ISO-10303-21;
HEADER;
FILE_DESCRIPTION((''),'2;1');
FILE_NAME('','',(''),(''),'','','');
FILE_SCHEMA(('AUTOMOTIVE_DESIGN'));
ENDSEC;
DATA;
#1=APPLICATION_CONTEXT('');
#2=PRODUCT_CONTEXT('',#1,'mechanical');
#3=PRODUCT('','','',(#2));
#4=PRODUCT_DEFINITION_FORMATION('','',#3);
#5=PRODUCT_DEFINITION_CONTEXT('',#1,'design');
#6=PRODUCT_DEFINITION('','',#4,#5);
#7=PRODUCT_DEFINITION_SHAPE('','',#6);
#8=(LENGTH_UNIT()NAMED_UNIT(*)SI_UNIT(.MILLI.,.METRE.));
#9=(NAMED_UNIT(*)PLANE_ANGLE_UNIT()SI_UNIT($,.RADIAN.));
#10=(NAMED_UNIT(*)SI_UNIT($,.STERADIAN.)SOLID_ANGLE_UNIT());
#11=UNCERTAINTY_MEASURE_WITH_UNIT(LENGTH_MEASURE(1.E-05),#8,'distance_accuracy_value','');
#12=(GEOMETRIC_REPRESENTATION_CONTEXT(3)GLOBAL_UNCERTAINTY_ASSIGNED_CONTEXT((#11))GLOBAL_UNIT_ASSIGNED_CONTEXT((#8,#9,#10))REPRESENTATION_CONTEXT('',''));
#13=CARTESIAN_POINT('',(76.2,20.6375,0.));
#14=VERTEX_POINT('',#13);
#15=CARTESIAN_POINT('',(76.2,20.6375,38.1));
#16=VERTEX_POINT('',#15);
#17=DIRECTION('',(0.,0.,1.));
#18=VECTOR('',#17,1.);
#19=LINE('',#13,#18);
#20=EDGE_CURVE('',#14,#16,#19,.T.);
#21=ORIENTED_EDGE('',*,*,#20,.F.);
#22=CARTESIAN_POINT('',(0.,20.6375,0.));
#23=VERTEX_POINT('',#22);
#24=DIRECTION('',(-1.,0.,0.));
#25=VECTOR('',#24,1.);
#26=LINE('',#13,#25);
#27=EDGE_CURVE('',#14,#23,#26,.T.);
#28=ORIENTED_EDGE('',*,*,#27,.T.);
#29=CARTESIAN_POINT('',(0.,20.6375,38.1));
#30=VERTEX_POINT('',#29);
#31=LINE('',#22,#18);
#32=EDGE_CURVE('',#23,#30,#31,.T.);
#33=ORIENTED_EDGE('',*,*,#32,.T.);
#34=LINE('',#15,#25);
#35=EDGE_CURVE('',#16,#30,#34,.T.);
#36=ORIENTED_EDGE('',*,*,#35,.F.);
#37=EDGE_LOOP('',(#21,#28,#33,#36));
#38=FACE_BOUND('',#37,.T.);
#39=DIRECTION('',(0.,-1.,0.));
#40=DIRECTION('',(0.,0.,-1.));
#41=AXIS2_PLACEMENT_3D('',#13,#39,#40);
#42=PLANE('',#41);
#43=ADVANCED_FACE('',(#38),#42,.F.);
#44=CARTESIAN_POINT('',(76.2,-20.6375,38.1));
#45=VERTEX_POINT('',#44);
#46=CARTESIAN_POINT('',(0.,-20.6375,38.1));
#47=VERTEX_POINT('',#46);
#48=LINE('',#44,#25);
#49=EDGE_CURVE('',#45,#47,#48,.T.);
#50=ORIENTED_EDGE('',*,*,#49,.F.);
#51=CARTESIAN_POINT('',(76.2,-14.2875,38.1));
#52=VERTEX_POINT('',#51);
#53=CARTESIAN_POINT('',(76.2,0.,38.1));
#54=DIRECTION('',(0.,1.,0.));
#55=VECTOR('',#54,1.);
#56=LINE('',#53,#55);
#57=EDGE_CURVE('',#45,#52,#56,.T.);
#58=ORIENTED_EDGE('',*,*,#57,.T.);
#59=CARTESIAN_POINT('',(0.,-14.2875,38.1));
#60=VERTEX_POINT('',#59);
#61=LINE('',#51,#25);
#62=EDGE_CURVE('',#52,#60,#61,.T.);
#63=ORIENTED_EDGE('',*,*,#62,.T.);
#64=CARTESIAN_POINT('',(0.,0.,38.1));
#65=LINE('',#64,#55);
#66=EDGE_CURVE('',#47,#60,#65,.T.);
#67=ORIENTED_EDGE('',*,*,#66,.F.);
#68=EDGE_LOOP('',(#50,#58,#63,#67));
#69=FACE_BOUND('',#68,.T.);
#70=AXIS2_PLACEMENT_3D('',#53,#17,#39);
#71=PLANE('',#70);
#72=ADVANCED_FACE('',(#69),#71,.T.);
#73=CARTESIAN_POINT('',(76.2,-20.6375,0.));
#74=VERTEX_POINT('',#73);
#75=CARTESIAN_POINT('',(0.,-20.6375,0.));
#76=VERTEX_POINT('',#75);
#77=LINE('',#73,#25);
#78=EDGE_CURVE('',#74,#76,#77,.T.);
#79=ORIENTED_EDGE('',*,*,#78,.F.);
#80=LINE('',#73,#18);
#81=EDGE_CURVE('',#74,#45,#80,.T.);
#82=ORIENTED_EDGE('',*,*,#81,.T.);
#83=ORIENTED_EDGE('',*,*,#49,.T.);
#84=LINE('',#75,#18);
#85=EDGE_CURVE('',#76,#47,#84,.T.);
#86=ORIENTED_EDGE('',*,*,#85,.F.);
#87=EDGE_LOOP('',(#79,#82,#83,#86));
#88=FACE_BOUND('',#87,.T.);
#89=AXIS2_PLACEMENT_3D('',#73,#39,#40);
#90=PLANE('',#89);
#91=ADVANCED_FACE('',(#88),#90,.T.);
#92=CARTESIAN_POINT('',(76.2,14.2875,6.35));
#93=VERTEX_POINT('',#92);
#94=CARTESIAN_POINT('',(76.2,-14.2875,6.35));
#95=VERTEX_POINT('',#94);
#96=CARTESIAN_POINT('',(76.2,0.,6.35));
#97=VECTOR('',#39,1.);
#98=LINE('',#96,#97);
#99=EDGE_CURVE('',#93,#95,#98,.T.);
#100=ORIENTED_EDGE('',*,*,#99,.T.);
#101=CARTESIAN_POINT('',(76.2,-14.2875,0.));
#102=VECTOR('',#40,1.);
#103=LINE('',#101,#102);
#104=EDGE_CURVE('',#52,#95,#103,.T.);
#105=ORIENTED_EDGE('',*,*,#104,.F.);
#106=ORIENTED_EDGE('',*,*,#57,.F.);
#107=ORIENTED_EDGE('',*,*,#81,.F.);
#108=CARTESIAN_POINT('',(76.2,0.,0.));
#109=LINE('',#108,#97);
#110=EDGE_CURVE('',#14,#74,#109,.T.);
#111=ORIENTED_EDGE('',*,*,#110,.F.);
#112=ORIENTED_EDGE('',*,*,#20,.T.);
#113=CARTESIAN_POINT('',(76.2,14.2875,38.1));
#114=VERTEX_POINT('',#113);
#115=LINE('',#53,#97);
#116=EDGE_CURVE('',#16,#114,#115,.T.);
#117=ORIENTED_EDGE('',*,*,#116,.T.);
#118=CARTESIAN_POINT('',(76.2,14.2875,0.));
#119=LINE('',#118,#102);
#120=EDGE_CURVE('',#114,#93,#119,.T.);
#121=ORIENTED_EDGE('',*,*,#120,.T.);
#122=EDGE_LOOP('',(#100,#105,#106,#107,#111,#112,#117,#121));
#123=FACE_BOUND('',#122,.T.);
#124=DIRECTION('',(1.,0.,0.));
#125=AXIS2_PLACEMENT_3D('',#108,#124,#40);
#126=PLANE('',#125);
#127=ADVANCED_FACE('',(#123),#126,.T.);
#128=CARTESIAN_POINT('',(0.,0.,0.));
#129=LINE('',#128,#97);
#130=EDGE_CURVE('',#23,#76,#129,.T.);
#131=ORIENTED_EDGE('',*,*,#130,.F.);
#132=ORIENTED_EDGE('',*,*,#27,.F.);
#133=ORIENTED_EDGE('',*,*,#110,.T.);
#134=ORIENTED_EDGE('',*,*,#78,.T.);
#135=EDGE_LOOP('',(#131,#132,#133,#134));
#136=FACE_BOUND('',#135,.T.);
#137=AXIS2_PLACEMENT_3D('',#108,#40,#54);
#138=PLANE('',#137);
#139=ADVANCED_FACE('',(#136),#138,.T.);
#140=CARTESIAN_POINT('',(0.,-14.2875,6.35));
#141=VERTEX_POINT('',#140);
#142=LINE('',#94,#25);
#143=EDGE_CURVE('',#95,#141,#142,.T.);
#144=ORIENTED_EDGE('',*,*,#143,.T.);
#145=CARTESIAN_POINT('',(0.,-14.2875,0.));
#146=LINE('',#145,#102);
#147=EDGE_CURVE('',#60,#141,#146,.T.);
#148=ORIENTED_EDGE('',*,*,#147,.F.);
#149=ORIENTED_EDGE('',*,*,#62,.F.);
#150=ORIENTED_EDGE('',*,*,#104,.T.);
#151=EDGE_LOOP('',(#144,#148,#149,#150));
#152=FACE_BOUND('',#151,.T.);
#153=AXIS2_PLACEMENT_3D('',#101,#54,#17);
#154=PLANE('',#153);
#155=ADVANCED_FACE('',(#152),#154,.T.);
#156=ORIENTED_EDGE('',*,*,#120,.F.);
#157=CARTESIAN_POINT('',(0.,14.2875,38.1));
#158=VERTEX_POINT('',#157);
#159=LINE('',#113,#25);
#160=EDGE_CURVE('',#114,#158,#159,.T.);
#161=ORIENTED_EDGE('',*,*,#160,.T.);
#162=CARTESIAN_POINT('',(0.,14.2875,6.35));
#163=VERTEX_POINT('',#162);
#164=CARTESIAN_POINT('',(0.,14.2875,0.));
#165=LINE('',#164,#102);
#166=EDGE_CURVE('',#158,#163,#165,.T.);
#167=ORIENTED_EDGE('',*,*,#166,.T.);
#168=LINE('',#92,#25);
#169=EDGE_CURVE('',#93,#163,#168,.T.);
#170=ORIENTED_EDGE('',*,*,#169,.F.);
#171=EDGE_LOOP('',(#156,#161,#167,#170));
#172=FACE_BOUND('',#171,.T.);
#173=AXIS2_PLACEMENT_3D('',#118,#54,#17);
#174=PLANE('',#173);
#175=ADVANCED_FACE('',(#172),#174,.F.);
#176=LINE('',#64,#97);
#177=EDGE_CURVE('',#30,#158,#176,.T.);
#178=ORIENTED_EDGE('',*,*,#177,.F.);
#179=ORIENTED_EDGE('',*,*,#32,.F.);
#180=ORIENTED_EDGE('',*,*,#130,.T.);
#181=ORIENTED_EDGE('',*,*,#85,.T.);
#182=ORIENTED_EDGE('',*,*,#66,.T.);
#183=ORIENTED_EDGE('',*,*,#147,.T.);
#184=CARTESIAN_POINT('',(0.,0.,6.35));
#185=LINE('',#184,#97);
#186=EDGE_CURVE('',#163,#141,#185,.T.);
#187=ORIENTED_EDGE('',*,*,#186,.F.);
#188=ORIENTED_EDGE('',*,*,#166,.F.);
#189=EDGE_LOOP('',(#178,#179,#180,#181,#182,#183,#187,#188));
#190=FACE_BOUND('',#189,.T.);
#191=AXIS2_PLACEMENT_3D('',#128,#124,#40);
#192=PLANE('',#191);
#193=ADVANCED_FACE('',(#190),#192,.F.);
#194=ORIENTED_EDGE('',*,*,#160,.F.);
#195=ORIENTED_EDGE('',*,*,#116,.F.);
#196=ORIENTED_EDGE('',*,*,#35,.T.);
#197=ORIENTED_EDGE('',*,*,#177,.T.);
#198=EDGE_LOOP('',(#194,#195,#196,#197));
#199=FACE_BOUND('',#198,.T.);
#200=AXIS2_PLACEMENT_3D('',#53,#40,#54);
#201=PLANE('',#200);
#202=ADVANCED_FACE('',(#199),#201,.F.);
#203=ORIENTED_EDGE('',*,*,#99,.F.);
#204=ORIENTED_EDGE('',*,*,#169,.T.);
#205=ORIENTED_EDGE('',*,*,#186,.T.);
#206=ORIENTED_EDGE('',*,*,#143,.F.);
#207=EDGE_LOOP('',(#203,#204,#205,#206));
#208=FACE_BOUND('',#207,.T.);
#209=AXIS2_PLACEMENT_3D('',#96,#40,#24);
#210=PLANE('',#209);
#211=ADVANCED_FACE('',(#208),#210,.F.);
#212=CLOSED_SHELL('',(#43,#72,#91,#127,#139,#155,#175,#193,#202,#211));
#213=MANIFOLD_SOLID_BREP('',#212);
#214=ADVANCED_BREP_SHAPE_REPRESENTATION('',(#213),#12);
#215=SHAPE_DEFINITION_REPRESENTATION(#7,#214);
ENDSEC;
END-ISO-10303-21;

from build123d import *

# Parameters (mm, degrees)
BOSS_EXTRUDE2_DEPTH = 76.2


with BuildPart() as part:
    # Sketch4 → Boss-Extrude2 (new body)
    with BuildSketch(Plane(origin=(0, 0, 0), x_dir=(0, 0, -1), z_dir=(1, 0, 0))):
        Polygon((0, 0), (0, 20.6375), (-38.1, 20.6375), (-38.1, 14.2875), (-6.35, 14.2875), (-6.35, 0), align=None)
        Polygon((0, -20.6375), (0, 0), (-6.35, 0), (-6.35, -14.2875), (-38.1, -14.2875), (-38.1, -20.6375), align=None)
    extrude(amount=BOSS_EXTRUDE2_DEPTH)


solid = part.part
